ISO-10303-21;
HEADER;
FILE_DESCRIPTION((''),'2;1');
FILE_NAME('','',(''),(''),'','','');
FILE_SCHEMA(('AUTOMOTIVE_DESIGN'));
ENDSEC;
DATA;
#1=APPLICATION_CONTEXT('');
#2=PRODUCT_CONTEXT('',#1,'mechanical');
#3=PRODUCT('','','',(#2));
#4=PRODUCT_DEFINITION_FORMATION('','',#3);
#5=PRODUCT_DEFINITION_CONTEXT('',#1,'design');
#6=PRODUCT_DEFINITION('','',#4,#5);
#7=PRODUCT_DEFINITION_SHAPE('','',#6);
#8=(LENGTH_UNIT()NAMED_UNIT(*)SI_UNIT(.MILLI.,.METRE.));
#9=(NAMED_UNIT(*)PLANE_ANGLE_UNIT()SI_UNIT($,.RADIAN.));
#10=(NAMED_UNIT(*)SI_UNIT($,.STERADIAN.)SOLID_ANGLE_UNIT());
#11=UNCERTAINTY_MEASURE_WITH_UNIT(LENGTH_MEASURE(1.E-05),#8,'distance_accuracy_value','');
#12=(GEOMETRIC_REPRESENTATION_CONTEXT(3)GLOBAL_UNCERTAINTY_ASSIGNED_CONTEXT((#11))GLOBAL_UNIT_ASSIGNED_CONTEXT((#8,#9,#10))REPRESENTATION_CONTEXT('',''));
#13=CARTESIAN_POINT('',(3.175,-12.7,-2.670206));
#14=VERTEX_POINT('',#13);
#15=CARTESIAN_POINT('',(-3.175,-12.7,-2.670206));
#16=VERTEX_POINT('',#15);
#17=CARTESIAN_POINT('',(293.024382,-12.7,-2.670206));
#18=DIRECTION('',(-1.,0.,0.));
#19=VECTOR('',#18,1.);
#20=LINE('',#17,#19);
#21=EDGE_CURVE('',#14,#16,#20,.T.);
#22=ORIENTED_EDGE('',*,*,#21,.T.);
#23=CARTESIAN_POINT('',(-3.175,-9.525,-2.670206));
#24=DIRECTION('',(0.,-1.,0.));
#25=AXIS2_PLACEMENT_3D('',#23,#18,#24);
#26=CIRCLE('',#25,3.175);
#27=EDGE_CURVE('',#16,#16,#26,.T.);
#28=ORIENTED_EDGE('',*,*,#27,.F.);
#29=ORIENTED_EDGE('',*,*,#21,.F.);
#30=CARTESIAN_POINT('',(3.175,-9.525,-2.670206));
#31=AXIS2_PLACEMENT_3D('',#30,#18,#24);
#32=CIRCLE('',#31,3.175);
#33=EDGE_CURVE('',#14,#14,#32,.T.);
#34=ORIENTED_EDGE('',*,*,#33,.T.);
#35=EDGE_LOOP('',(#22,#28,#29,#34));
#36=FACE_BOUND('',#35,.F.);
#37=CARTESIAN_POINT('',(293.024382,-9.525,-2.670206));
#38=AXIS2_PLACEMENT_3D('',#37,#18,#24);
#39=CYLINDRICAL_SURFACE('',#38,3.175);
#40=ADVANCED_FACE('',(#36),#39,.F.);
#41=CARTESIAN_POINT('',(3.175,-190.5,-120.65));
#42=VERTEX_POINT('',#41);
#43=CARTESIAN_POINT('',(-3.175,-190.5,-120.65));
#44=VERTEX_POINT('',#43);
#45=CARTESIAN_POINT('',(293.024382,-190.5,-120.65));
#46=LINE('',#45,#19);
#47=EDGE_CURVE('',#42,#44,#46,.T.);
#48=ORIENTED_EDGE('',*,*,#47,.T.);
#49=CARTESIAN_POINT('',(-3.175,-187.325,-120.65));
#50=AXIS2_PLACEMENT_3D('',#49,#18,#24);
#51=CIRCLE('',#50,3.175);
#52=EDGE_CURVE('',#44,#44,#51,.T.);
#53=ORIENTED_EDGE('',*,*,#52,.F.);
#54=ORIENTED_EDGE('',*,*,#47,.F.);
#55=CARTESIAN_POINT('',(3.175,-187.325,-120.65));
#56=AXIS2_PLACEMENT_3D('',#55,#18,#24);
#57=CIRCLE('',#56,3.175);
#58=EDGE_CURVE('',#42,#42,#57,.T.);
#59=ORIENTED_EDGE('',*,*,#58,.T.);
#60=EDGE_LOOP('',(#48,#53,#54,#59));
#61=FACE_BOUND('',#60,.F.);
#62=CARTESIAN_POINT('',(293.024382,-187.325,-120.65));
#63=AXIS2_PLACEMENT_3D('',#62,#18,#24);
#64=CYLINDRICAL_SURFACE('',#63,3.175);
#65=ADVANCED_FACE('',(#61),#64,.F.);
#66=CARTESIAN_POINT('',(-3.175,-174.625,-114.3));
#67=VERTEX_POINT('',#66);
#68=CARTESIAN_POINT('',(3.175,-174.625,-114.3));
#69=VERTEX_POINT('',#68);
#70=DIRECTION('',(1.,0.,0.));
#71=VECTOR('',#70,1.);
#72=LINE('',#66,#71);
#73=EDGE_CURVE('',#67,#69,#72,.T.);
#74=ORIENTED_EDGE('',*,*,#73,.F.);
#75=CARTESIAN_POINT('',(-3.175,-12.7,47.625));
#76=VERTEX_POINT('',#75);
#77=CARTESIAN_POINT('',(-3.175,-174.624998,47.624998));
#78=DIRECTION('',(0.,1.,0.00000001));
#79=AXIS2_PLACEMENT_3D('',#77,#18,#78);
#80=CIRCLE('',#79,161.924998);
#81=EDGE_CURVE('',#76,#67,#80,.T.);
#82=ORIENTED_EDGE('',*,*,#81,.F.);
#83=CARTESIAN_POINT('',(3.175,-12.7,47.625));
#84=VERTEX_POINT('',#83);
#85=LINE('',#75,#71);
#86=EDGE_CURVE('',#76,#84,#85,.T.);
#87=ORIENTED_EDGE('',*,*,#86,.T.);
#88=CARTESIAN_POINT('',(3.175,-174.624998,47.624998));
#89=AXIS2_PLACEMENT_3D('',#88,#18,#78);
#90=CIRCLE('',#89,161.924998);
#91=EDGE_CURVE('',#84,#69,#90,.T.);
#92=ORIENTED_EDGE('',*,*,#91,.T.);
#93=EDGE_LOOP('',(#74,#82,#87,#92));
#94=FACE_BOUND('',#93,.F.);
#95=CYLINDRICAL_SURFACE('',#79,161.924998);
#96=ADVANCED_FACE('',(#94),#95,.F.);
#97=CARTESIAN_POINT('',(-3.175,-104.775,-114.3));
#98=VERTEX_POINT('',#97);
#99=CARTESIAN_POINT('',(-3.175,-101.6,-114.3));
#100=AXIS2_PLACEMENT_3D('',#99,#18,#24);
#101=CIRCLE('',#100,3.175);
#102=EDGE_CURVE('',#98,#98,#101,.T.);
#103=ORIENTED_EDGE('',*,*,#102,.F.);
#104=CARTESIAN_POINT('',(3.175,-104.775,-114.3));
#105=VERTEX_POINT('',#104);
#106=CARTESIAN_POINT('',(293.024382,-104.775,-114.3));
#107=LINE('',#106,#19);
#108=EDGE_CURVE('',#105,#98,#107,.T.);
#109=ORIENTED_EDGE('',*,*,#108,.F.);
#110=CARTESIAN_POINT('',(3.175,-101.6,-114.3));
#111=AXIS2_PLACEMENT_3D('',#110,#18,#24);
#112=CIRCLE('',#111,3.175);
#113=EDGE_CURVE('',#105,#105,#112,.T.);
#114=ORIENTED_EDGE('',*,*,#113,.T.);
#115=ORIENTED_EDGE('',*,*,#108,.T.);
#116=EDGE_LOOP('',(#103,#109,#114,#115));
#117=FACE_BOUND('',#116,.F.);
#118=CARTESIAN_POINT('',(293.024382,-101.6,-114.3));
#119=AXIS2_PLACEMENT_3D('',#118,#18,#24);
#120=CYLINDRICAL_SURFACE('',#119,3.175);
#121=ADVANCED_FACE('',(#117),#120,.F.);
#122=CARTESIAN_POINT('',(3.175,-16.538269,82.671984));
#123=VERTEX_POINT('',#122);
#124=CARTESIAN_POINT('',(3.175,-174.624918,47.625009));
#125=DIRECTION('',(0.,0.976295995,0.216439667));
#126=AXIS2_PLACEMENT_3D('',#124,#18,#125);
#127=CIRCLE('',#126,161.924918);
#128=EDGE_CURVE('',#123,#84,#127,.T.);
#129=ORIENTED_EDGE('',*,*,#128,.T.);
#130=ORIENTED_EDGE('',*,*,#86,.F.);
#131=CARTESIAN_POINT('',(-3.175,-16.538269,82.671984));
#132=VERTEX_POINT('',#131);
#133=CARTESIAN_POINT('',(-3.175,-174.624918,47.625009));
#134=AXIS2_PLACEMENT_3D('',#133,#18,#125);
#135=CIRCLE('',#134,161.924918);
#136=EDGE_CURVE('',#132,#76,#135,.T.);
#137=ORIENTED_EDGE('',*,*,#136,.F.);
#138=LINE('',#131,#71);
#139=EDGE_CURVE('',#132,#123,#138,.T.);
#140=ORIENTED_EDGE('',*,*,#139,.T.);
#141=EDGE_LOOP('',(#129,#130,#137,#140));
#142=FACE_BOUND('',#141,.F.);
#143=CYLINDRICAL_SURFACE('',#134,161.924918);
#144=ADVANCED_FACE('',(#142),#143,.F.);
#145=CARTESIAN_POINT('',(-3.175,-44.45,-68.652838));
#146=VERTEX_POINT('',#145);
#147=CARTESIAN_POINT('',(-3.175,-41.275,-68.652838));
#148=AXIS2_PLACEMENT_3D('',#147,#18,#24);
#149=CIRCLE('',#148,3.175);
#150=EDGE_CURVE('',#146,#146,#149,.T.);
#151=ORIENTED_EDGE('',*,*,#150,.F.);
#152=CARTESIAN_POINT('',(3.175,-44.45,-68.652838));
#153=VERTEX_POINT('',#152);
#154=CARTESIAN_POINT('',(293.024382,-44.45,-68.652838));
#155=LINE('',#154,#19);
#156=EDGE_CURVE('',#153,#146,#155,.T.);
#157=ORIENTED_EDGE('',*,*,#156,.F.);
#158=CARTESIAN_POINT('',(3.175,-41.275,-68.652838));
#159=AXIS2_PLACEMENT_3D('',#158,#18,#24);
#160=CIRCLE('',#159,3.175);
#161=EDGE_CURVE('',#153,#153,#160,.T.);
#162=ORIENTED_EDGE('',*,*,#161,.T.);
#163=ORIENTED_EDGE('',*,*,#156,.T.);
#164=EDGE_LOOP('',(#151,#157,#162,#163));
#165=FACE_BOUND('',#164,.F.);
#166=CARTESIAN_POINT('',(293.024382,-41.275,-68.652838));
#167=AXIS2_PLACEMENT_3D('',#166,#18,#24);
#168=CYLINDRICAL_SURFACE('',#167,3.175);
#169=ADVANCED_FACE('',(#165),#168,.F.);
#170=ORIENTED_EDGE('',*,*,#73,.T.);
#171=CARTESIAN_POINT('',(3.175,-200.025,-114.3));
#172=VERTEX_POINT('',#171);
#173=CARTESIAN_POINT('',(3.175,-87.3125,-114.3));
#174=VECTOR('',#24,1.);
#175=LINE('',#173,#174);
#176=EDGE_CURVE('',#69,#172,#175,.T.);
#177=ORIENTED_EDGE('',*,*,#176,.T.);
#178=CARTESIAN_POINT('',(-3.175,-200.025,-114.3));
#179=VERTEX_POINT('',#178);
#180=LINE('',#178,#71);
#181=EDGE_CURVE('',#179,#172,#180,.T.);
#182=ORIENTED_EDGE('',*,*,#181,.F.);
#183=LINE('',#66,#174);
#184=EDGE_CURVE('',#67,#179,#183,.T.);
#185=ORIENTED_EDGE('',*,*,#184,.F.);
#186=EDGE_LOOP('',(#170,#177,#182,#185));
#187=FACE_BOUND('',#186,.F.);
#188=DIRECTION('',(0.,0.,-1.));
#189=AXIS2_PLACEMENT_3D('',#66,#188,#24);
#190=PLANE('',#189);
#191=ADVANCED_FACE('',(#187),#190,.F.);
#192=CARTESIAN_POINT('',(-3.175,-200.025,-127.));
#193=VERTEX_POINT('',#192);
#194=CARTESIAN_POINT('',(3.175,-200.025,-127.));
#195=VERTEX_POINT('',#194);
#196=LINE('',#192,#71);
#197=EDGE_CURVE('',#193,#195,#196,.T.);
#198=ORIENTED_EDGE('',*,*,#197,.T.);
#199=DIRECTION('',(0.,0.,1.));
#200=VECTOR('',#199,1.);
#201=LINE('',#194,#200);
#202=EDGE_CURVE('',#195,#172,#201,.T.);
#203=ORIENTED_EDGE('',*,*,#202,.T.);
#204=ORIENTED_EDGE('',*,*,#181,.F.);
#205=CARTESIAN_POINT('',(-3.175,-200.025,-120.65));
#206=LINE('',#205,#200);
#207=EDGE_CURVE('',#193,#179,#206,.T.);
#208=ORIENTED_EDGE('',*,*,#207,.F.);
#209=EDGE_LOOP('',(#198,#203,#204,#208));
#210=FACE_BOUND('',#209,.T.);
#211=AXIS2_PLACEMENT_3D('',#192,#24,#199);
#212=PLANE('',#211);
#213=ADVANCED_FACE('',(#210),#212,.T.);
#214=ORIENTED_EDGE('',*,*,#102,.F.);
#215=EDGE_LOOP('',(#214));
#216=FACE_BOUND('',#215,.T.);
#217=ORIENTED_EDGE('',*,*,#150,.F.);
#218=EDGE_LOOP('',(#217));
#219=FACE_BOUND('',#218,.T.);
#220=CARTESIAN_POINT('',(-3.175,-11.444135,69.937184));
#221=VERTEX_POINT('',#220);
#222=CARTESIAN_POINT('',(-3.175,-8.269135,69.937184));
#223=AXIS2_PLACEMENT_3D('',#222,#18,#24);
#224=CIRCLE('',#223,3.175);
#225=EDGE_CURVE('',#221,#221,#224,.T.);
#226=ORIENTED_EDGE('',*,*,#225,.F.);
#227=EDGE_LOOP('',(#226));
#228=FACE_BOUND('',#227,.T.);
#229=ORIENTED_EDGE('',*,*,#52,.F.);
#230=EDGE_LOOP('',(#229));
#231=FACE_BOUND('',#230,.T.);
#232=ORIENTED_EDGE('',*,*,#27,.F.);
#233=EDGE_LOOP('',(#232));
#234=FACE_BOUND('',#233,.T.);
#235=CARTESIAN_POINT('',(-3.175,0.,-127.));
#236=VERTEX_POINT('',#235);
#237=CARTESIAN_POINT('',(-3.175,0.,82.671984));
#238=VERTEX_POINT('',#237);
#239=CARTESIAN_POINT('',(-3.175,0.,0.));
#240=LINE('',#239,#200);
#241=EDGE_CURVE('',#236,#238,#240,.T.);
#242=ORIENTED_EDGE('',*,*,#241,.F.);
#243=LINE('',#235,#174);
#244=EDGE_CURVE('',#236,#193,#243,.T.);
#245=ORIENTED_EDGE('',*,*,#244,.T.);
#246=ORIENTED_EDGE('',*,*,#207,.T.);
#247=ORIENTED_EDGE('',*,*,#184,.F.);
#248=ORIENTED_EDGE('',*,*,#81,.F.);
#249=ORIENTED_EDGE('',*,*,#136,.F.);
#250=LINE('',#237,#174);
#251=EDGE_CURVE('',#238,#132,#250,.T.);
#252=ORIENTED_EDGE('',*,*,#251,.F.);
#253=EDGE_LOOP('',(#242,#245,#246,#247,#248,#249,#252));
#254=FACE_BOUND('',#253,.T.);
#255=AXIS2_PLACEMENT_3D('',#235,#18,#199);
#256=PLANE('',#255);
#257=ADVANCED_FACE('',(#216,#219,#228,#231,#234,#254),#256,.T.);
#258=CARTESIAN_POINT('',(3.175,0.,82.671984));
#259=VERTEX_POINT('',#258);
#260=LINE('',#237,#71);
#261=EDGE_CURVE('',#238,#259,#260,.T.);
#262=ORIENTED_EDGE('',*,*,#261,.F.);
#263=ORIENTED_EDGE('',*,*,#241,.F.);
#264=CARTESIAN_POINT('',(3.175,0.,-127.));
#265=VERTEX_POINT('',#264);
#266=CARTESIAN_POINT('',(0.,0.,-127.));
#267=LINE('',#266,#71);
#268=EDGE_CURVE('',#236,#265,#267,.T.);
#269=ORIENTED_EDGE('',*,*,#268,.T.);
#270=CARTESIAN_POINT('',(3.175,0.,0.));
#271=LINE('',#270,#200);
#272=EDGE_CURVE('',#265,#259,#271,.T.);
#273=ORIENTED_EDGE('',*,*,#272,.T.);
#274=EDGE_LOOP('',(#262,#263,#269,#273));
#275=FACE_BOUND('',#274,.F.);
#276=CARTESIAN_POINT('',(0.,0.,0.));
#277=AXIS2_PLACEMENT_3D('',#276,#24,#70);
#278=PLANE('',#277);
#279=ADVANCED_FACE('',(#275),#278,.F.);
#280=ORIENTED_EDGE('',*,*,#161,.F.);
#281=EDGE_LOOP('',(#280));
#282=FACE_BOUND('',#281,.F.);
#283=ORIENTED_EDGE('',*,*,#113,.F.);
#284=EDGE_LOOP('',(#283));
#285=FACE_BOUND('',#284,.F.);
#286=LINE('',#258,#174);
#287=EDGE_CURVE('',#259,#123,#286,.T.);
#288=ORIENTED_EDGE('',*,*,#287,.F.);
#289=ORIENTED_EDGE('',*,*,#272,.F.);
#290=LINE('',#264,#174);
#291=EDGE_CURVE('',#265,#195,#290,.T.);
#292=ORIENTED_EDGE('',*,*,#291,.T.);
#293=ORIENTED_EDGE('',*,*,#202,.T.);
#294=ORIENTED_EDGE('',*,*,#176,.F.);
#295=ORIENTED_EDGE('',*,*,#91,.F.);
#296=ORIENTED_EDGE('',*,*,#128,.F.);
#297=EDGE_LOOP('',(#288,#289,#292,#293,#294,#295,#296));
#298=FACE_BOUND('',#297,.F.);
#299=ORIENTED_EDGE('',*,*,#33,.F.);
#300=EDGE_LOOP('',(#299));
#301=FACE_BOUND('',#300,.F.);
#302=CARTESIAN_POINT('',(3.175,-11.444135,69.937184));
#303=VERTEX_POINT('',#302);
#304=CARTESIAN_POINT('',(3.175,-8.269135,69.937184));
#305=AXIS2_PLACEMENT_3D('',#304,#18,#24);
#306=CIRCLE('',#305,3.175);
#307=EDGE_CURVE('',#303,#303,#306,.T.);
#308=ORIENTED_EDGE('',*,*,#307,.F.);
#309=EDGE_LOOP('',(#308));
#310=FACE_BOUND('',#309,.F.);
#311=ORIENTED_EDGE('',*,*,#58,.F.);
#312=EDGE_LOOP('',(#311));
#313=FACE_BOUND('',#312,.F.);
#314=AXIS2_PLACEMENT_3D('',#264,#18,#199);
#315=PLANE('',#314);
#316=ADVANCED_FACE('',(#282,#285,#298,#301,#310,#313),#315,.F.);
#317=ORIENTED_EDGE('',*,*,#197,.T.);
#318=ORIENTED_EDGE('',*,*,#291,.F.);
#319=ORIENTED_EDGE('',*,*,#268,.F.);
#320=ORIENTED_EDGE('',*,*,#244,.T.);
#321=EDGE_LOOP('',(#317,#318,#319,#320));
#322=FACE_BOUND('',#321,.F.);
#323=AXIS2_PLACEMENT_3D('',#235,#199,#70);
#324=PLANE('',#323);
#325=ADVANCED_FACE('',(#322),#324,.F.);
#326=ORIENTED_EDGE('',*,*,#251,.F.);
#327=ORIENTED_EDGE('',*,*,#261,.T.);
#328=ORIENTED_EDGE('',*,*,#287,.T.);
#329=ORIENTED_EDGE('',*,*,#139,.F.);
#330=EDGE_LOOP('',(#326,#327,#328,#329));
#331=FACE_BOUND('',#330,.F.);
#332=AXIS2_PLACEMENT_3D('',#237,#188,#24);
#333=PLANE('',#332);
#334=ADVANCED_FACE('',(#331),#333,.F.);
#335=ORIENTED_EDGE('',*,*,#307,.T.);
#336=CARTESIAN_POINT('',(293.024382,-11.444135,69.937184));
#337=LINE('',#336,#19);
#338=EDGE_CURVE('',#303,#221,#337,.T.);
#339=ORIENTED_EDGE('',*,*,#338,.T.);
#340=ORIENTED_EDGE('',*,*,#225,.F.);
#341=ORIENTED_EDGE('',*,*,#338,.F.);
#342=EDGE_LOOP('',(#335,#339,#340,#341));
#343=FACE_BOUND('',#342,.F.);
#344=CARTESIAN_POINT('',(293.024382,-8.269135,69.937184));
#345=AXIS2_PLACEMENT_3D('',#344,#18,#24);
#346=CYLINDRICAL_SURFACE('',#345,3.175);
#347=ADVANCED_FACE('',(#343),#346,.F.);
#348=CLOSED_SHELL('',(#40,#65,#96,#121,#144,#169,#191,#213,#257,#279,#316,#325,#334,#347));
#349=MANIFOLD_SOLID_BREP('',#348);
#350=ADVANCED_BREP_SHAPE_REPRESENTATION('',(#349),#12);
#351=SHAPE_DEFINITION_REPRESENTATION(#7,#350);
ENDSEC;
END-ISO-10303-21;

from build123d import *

# Parameters (mm, degrees)
F0_W     = 6.35
F0_H     = 254
F1_DEPTH = 279.4
F3_DEPTH = 25.4
F4_W     = 79.375
F4_H     = 12.7
F5_DEPTH = 25.4
F7_D     = 6.35


with BuildPart() as f1:
    # F0 (on Front) → F1 (new body)
    with BuildSketch(Plane.XZ):
        Rectangle(F0_W, F0_H)
    extrude(amount=F1_DEPTH)

    # F2 (on face) → F3 (cut)
    with BuildSketch(Plane(origin=(-3.175, 0, 0), x_dir=(0, -1, 0), z_dir=(-1, 0, 0))):
        with BuildLine():
            Line((0, 82.671984), (16.538269, 82.671984))
            Line((16.538269, 82.671984), (174.625, 47.625))
            Line((174.625, 47.625), (12.7, 47.625))
            ThreePointArc((12.7, 47.625), (60.126734, -66.873266), (174.625, -114.3))
            Line((174.625, -114.3), (279.4, -114.3))
            Line((279.4, -114.3), (279.4, 127))
            Line((279.4, 127), (0, 127))
            Line((0, 127), (0, 82.671984))
        make_face()
        with BuildLine():
            Line((174.625, 47.625), (16.538269, 82.671984))
            ThreePointArc((16.538269, 82.671984), (13.662427, 65.253269), (12.7, 47.625))
            Line((12.7, 47.625), (174.625, 47.625))
        make_face()
    extrude(amount=-F3_DEPTH, mode=Mode.SUBTRACT)

    # F4 (on face) → F5 (cut)
    with BuildSketch(Plane(origin=(-3.175, 0, 0), x_dir=(0, -1, 0), z_dir=(-1, 0, 0))):
        with Locations((239.7125, -120.65)):
            Rectangle(F4_W, F4_H)
    extrude(amount=-F5_DEPTH, mode=Mode.SUBTRACT)

    # F7 (through all)
    with Locations(Plane.YZ.offset(3.175)):
        with Locations((-187.325, -120.65), (-101.6, -114.3), (-41.275, -68.652838), (-9.525, -2.670206), (-8.269135, 69.937184)):
            Hole(F7_D / 2)


solid = f1.part
